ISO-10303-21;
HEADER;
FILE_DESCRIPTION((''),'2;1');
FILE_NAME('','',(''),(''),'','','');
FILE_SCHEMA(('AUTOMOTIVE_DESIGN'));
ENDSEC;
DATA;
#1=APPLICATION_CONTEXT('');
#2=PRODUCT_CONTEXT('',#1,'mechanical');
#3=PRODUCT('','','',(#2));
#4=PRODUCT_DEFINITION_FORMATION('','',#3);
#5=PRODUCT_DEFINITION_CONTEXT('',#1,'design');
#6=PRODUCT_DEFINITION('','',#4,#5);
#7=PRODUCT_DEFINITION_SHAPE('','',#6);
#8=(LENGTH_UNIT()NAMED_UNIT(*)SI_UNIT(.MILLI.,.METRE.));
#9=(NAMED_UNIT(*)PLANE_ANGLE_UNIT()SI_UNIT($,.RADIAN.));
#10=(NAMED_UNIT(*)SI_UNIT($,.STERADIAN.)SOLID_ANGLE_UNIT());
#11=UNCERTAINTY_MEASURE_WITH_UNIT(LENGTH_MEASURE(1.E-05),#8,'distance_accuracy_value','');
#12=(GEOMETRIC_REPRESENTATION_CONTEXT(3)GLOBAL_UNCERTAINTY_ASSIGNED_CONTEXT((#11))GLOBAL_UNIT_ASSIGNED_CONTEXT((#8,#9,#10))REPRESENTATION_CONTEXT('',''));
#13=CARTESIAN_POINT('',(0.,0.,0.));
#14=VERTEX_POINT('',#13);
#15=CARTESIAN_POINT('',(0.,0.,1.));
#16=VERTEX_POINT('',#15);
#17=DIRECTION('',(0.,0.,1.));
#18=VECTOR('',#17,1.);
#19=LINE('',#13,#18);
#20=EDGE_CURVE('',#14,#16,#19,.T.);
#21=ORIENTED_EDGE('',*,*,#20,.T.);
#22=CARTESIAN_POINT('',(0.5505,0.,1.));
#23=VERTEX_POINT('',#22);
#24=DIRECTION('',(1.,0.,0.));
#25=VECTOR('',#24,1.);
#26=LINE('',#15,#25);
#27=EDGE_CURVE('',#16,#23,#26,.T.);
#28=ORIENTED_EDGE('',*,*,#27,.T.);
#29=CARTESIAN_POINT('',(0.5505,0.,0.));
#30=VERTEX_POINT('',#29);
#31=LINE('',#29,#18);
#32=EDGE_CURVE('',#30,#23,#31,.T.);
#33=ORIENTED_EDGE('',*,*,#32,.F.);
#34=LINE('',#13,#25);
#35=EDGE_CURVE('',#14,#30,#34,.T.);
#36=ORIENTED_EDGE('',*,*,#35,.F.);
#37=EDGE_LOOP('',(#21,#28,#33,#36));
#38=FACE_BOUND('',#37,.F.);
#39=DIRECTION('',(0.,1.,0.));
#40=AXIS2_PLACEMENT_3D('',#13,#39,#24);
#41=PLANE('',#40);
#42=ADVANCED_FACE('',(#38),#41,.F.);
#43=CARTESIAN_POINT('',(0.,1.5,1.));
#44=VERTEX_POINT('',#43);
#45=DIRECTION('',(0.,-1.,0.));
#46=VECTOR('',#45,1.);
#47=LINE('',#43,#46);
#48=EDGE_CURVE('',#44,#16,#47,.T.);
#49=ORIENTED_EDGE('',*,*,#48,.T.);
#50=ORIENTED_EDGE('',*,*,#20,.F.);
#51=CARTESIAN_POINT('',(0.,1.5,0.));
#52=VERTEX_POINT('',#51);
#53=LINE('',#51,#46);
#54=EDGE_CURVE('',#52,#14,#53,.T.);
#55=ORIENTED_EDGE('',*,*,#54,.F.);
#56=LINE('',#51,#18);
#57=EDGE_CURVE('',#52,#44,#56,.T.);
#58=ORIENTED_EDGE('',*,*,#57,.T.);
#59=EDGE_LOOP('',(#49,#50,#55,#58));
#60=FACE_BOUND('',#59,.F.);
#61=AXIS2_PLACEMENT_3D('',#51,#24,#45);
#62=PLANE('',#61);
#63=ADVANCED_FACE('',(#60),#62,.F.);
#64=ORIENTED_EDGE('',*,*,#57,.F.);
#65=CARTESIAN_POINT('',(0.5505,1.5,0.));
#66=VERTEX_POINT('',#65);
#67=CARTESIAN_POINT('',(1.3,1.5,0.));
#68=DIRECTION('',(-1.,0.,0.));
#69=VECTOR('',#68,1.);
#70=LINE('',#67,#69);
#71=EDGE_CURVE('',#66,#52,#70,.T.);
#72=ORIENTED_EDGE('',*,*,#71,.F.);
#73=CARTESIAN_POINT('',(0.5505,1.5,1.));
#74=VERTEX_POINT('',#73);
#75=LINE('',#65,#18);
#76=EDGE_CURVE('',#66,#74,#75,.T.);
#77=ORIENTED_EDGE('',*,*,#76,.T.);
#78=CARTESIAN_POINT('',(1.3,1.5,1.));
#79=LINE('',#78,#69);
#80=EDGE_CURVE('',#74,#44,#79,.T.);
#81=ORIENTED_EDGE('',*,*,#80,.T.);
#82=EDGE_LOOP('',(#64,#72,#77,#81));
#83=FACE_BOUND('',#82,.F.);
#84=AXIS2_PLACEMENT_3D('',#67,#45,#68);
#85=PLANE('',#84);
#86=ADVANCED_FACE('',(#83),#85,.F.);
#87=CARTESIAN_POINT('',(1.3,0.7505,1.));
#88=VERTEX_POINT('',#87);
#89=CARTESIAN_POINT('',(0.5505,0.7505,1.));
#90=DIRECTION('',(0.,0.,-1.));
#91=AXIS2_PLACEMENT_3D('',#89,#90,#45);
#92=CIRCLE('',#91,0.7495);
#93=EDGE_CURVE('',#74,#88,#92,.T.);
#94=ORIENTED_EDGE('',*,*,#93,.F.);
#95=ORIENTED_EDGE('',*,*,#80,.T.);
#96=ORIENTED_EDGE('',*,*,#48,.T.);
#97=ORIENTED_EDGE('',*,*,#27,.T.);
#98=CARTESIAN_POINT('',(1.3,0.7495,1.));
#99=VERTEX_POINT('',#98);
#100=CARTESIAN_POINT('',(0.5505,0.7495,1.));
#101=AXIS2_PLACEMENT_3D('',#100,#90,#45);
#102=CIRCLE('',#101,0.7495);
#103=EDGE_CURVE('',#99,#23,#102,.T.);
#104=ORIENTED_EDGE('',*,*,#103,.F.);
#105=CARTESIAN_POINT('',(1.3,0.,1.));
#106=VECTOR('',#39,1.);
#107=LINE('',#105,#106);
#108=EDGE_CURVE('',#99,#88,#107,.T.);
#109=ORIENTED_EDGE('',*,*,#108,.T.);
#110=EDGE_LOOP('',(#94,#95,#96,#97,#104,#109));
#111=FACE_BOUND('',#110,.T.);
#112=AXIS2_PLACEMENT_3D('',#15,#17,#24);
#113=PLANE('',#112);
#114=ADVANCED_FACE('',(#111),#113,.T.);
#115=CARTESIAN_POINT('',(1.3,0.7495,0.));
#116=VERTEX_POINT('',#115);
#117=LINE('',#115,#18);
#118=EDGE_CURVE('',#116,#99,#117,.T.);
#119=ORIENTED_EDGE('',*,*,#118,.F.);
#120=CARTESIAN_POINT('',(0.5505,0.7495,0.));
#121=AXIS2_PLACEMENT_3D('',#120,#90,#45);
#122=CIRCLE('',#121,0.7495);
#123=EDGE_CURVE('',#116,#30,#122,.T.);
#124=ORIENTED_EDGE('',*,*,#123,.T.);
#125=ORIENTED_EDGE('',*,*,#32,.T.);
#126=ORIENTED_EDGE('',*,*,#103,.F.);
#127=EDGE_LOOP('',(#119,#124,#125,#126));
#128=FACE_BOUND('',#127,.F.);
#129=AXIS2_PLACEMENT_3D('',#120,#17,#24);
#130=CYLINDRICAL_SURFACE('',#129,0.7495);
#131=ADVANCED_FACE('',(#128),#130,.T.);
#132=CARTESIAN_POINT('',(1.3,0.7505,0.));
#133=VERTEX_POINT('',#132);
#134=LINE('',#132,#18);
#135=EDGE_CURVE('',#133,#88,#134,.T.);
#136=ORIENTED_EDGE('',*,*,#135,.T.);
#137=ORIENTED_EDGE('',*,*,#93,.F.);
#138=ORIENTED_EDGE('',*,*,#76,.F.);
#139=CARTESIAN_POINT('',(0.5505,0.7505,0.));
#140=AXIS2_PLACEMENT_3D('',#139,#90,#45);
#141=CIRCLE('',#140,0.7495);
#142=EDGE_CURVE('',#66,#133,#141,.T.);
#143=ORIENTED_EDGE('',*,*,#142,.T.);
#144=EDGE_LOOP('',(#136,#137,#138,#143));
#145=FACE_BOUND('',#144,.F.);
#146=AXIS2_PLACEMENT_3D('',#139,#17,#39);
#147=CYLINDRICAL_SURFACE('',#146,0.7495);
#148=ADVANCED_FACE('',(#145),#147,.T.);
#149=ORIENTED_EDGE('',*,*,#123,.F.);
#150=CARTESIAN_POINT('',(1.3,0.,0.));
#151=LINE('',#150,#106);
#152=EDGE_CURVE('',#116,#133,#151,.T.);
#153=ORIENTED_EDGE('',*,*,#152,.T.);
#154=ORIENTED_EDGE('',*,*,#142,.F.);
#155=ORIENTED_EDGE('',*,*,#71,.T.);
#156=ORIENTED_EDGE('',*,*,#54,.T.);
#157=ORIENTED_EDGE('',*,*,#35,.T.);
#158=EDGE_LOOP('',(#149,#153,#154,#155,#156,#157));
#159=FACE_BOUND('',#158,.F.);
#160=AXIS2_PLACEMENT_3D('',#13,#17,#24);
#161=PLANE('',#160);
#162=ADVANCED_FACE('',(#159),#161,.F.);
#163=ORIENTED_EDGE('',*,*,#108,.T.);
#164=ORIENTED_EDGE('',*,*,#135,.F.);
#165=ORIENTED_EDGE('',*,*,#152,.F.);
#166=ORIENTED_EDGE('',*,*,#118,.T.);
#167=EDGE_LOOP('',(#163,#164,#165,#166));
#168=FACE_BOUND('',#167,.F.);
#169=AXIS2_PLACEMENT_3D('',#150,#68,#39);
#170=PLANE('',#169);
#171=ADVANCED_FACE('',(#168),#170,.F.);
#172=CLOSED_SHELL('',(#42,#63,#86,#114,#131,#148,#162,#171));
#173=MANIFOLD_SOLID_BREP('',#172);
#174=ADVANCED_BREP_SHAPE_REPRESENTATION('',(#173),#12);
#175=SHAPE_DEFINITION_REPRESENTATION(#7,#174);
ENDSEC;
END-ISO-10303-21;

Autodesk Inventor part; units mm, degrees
ref_plane "YZ Plane" through (0, 0, 0) normal (1, 0, 0) x (0, 1, 0)
ref_plane "XZ Plane" through (0, 0, 0) normal (0, 1, 0) x (-1, 0, 0)
ref_plane "XY Plane" through (0, 0, 0) normal (0, 0, 1) x (1, 0, 0)
sketch "Szkic1" plane through (0, 0, 0) normal (0, 0, 1) x (1, 0, 0)
  line L0 (-0.26, 0) -> (1.56, 0) construction
  line L1 (0, -0.3) -> (0, 1.8) construction
  line L2 (0, 0) -> (1.3, 0)
  line L3 (1.3, 0) -> (1.3, 1.5)
  line L4 (1.3, 1.5) -> (0, 1.5)
  line L5 (0, 1.5) -> (0, 0)
  dimension "d0" = 1.5
  dimension "d1" = 1.3
extrude "Wyciągnięcie proste1" add sketch "Szkic1" along normal blind 1
fillet "Zaokrąglenie1" radius 0.75 2 edges at (1.3, 1.5, 0.5) (1.3, 0, 0.5)
properties part number "trzym2"
